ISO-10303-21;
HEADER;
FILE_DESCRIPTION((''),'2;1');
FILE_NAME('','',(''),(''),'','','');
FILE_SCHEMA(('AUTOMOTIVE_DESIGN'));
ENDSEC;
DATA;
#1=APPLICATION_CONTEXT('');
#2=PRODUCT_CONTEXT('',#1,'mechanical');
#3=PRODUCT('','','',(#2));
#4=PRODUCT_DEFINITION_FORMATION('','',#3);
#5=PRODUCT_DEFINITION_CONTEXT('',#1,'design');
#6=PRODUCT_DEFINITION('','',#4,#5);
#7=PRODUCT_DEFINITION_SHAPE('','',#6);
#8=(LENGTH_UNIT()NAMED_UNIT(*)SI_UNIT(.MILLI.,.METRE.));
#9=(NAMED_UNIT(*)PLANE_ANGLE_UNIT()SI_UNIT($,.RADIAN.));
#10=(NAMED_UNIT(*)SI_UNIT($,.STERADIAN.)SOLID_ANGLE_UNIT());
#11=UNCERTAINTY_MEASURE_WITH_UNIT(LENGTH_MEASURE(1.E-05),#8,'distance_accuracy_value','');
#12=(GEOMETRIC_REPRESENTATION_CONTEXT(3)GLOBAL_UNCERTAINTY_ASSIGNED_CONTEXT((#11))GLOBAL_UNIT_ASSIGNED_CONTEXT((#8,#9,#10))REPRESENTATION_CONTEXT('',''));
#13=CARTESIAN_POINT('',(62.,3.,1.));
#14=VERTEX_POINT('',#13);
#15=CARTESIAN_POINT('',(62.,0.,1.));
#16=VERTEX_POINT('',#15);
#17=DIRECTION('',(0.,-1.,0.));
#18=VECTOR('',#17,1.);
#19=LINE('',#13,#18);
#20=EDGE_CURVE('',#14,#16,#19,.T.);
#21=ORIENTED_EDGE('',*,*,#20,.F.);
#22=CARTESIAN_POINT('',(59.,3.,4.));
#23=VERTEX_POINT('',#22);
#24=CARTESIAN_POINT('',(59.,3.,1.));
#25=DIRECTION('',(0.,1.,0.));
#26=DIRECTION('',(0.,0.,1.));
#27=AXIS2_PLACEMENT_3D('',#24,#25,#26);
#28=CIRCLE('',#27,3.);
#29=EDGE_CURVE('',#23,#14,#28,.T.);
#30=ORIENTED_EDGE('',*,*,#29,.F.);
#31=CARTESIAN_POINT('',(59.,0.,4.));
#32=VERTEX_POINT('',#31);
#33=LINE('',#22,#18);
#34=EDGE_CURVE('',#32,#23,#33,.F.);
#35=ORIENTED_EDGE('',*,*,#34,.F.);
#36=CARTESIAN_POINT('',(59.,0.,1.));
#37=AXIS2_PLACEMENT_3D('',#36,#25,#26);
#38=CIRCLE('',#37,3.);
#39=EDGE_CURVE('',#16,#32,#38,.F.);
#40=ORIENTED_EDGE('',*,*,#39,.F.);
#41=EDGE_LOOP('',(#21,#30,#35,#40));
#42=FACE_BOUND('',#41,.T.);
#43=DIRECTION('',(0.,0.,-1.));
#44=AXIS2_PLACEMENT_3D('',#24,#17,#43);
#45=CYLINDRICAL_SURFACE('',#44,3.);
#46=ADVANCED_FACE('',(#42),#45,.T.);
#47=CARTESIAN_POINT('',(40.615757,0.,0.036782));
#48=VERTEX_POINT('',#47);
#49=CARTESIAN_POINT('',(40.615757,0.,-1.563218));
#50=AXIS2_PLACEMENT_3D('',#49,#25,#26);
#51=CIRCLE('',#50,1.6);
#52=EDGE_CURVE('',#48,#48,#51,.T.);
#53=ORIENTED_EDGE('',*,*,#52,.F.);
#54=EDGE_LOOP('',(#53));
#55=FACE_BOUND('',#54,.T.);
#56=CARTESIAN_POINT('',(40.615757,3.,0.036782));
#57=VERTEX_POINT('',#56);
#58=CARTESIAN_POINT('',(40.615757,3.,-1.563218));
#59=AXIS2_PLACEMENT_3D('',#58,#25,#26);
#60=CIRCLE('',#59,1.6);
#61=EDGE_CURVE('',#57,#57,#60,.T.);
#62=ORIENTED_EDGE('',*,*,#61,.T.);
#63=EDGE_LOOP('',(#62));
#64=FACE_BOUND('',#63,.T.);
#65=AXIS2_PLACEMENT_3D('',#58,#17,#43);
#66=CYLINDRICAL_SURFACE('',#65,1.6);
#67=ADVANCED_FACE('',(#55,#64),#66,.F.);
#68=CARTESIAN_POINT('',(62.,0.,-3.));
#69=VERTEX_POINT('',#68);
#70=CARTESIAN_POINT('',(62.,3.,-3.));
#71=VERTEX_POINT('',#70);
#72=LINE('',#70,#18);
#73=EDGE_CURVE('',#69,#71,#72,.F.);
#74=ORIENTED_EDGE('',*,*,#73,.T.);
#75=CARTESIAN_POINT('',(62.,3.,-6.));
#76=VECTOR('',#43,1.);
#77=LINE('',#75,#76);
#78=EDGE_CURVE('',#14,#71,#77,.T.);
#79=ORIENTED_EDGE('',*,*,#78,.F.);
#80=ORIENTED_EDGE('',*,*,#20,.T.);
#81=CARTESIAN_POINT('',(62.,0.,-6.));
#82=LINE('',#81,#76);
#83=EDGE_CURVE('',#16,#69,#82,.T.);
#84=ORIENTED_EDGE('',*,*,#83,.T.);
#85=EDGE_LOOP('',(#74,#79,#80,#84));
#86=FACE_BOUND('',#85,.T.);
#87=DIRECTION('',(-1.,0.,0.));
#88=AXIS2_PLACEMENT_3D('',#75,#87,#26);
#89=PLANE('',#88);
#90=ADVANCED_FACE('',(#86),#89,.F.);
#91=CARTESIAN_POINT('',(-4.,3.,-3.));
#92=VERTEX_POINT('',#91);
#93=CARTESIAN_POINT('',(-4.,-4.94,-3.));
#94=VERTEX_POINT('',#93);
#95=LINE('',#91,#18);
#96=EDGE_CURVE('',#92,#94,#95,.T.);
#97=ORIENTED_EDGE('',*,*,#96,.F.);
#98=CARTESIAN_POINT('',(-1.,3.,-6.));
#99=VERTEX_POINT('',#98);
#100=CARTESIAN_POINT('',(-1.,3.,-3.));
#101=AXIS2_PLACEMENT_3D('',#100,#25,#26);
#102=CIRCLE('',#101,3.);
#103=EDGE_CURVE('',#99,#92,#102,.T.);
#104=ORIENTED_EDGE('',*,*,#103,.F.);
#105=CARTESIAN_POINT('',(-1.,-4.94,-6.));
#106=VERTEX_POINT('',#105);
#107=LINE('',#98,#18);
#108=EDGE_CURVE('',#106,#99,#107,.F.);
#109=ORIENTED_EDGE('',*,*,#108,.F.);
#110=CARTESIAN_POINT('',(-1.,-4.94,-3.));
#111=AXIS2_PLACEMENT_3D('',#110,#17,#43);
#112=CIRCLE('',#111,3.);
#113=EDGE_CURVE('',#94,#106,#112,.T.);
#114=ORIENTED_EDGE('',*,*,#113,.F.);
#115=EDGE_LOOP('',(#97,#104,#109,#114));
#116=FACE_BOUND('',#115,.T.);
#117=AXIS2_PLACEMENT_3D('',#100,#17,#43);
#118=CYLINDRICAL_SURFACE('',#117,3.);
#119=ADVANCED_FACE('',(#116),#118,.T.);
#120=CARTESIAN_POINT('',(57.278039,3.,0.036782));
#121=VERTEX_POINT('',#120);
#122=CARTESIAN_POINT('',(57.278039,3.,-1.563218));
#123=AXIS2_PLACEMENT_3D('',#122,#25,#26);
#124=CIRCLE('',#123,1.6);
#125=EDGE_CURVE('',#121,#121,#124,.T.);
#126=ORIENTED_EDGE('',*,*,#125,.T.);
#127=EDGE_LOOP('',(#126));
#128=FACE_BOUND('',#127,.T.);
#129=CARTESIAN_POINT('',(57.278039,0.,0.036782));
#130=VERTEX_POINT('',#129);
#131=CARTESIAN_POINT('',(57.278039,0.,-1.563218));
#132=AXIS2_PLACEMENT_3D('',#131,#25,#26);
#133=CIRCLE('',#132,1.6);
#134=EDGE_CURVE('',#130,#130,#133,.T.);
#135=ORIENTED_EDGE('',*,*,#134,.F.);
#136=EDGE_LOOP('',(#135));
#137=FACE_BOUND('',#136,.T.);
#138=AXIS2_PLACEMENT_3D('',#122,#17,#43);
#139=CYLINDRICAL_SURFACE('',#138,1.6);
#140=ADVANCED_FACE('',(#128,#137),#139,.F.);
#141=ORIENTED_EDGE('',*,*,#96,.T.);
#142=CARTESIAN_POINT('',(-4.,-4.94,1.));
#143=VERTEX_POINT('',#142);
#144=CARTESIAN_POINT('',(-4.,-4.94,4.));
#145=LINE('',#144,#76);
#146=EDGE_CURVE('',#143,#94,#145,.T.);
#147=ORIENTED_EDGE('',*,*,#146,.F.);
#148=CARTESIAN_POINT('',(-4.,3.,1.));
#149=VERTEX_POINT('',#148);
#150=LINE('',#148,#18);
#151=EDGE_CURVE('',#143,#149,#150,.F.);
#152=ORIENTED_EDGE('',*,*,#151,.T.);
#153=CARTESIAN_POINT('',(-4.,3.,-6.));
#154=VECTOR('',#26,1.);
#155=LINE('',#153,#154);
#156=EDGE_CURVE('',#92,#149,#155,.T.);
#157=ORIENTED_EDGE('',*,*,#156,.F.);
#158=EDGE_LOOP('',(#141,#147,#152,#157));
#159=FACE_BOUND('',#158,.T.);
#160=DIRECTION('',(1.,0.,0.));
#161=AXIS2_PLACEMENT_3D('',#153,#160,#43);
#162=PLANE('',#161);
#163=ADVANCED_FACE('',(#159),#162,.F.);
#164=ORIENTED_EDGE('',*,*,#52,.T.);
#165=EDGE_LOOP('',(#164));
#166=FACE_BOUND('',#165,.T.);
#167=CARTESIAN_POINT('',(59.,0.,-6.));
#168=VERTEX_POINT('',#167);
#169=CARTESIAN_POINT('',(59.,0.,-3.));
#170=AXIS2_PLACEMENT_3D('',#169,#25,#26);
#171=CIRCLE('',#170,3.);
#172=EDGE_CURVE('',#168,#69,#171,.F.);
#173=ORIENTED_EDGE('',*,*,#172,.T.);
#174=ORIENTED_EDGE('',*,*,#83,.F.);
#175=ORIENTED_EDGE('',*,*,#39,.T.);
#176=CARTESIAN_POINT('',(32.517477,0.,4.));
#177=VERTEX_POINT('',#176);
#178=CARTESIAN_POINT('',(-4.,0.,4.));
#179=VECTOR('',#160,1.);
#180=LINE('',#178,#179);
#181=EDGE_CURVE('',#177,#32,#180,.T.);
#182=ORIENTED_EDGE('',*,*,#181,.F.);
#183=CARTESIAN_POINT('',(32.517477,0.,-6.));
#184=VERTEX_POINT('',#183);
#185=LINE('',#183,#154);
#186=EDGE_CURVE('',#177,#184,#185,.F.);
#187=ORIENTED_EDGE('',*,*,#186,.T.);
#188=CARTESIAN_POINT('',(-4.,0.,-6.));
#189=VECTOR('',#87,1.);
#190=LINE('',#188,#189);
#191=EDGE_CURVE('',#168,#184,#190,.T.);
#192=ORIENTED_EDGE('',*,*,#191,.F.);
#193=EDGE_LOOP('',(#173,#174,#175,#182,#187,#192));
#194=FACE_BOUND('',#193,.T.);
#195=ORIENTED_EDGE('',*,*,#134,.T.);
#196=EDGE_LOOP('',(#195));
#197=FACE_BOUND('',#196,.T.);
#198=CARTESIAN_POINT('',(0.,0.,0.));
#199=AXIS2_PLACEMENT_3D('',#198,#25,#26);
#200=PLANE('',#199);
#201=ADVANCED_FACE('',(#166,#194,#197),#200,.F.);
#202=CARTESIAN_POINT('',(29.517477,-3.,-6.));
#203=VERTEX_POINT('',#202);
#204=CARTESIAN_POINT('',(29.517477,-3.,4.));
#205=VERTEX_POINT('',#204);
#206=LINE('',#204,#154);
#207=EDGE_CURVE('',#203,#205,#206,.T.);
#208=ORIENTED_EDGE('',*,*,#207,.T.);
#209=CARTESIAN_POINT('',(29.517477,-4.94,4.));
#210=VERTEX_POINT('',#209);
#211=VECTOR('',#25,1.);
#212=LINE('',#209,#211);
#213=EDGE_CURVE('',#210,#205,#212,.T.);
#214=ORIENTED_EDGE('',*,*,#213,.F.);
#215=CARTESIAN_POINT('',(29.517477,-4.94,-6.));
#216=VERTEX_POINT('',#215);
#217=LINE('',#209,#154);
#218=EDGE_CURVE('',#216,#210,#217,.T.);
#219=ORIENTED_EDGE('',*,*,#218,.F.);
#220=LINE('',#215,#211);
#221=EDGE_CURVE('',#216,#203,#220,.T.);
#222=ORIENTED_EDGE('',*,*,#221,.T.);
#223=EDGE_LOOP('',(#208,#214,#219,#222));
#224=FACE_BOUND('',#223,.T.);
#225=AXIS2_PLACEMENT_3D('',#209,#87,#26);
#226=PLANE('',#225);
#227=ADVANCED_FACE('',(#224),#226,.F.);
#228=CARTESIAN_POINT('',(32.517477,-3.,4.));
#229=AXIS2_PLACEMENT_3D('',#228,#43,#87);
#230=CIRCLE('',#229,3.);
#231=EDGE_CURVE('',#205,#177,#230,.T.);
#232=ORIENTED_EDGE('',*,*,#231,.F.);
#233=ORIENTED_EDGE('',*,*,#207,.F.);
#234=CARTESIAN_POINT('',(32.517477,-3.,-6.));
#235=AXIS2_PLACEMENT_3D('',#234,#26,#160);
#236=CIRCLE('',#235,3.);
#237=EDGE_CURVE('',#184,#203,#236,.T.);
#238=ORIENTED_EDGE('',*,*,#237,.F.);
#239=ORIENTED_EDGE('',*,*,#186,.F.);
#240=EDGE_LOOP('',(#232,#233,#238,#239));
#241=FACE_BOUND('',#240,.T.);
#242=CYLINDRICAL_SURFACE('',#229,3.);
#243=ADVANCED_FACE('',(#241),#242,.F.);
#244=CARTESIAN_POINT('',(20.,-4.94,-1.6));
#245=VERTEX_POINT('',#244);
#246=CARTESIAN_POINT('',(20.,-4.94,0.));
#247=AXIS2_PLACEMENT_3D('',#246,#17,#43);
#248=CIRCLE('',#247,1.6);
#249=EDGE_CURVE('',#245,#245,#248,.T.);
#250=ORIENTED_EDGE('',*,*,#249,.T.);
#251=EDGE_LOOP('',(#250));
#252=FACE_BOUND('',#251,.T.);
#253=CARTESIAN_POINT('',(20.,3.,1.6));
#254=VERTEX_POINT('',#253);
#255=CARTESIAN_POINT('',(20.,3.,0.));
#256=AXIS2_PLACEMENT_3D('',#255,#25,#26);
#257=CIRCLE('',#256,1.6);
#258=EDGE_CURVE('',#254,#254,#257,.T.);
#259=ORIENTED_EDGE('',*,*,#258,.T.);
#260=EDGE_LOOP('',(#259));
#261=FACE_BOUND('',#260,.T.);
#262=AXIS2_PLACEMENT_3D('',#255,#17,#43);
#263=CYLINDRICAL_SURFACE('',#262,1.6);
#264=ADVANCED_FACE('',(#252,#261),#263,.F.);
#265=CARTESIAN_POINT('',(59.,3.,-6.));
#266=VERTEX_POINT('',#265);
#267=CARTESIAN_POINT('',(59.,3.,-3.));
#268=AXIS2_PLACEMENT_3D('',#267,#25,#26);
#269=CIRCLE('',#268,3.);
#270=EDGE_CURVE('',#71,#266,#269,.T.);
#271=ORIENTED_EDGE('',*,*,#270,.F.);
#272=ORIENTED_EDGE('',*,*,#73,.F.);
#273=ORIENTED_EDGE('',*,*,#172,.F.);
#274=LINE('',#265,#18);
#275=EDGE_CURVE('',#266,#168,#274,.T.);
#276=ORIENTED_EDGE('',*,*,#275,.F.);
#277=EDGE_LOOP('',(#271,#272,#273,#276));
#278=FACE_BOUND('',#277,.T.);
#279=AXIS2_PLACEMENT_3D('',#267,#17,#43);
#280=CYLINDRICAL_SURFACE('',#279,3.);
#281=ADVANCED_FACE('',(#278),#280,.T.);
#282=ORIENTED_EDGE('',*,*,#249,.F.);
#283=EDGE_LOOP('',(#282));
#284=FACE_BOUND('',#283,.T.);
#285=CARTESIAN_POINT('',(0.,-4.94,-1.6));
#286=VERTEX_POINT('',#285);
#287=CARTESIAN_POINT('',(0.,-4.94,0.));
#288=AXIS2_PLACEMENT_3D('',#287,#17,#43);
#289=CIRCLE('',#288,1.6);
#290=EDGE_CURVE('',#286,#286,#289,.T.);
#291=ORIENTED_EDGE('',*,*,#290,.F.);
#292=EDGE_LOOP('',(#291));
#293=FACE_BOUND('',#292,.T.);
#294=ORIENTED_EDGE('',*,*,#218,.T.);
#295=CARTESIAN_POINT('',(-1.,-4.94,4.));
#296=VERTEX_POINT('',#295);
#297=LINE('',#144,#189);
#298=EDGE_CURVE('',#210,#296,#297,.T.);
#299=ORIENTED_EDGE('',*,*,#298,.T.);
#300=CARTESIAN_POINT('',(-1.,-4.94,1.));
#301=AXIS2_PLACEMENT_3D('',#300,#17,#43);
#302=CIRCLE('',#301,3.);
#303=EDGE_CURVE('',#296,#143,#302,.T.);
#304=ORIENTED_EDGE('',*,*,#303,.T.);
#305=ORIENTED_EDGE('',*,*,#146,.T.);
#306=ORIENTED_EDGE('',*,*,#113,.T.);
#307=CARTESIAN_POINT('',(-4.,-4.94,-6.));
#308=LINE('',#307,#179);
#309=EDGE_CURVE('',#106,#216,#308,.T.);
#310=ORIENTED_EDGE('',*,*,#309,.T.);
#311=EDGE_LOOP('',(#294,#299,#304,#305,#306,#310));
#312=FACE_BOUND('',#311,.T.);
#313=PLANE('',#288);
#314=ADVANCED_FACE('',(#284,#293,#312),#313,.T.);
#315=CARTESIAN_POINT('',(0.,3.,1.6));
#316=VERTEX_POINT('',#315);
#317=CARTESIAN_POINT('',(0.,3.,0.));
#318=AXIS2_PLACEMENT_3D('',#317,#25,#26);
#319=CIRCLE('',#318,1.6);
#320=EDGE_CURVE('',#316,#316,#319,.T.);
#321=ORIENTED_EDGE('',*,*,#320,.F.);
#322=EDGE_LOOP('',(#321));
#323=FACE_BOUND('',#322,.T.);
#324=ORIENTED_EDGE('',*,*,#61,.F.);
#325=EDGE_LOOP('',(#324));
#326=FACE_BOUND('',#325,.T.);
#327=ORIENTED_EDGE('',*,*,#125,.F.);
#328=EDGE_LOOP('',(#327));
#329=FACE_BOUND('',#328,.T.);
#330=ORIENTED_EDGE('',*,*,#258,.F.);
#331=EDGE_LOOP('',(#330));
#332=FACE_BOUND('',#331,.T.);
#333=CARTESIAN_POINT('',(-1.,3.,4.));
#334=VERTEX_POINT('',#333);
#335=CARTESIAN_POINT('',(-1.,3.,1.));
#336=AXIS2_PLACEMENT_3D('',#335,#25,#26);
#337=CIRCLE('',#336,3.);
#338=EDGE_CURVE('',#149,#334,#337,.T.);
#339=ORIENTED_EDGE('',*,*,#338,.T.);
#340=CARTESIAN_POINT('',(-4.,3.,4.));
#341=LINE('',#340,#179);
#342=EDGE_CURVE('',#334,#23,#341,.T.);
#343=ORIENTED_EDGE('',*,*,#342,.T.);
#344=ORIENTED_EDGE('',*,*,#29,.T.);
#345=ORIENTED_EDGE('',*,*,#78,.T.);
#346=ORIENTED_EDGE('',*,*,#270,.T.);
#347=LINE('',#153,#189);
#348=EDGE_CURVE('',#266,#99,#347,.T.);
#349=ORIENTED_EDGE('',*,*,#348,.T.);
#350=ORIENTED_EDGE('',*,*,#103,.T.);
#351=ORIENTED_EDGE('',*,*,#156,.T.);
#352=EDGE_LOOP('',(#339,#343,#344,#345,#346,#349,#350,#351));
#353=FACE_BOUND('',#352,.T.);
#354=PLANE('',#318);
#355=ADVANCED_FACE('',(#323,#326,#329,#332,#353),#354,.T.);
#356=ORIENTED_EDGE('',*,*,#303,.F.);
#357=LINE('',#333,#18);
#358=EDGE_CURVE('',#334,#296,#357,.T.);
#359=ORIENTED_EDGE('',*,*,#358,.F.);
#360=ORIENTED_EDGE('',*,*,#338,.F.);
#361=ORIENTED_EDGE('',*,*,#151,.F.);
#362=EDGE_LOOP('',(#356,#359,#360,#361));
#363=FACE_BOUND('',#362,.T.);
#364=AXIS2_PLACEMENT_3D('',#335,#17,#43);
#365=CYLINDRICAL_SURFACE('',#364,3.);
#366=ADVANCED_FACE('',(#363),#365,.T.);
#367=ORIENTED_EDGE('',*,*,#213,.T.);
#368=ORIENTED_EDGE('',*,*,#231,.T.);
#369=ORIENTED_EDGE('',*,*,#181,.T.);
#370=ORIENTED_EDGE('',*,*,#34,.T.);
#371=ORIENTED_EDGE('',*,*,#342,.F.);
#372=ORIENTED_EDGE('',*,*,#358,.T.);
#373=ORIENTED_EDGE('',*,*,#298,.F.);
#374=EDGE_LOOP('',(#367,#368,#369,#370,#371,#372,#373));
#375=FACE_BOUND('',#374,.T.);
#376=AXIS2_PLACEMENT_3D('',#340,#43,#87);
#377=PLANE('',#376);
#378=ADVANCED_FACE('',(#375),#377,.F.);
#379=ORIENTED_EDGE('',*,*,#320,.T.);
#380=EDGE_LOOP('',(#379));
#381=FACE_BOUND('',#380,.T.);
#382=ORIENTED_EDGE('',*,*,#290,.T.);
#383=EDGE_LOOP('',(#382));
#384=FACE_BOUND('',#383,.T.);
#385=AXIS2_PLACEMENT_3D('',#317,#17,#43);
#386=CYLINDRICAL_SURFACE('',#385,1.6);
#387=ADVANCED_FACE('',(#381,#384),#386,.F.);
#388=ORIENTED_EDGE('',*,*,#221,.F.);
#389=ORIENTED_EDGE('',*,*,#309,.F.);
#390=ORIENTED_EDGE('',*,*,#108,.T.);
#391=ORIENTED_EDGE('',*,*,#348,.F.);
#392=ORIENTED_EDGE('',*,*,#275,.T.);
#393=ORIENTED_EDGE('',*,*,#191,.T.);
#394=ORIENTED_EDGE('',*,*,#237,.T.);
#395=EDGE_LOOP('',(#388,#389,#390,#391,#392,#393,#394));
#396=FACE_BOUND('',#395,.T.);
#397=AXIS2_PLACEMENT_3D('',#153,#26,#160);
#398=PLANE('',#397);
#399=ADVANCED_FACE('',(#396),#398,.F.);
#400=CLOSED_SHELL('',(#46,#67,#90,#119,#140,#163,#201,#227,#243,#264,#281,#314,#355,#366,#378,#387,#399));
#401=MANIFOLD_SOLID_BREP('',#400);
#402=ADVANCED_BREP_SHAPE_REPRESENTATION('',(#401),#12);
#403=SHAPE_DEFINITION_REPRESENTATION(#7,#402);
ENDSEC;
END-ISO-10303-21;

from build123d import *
from build123d.topology import SkipClean

# Parameters (mm, degrees)
SKETCH1_W           = 66
SKETCH1_H           = 10
SKETCH1_R           = 1.6
BOSS_EXTRUDE1_DEPTH = 3
BOSS_EXTRUDE2_START = 4.94
SKETCH3_W           = 33.517476949
SKETCH3_H           = 10
SKETCH3_R           = 1.6
BOSS_EXTRUDE2_DEPTH = 4.94
FILLET1_R           = 3


with BuildPart() as part:
    # Sketch1 → Boss-Extrude1 (new body)
    with BuildSketch(Plane(origin=(0, 0, 0), x_dir=(1, 0, 0), z_dir=(0, 1, 0))):
        with Locations((29, 1)):
            Rectangle(SKETCH1_W, SKETCH1_H)
        with Locations(Location((0, 0, 0), (0, 0, 270))):
            Circle(SKETCH1_R, mode=Mode.SUBTRACT)
        with Locations(Location((20, 0, 0), (0, 0, 270))):
            Circle(SKETCH1_R, mode=Mode.SUBTRACT)
        with Locations(Location((40.615756989, 1.563218196, 0), (0, 0, 270))):
            Circle(SKETCH1_R, mode=Mode.SUBTRACT)
        with Locations(Location((57.278038862, 1.563218196, 0), (0, 0, 270))):
            Circle(SKETCH1_R, mode=Mode.SUBTRACT)
    extrude(amount=BOSS_EXTRUDE1_DEPTH)

    # Sketch3 → Boss-Extrude2 (add)
    with SkipClean():  # the faces are left unmerged after this step: merging them gives an invalid solid
        with BuildSketch(Plane.XZ.offset(BOSS_EXTRUDE2_START)):
            with Locations((12.758738475, -1)):
                Rectangle(SKETCH3_W, SKETCH3_H)
            with Locations(Location((0, 0, 0), (0, 0, 270))):
                Circle(SKETCH3_R, mode=Mode.SUBTRACT)
            with Locations(Location((20, 0, 0), (0, 0, 270))):
                Circle(SKETCH3_R, mode=Mode.SUBTRACT)
        extrude(amount=-BOSS_EXTRUDE2_DEPTH)

    # Fillet1
    fillet1_edges = [part.edges().sort_by_distance(p)[0] for p in [
        (29.517476949, 0, -1),
        (-4, -2.47, -6),
        (62, 1.5, -6),
        (62, 1.5, 4),
        (-4, -2.47, 4),
    ]]
    fillet(fillet1_edges, radius=FILLET1_R)


solid = part.part
